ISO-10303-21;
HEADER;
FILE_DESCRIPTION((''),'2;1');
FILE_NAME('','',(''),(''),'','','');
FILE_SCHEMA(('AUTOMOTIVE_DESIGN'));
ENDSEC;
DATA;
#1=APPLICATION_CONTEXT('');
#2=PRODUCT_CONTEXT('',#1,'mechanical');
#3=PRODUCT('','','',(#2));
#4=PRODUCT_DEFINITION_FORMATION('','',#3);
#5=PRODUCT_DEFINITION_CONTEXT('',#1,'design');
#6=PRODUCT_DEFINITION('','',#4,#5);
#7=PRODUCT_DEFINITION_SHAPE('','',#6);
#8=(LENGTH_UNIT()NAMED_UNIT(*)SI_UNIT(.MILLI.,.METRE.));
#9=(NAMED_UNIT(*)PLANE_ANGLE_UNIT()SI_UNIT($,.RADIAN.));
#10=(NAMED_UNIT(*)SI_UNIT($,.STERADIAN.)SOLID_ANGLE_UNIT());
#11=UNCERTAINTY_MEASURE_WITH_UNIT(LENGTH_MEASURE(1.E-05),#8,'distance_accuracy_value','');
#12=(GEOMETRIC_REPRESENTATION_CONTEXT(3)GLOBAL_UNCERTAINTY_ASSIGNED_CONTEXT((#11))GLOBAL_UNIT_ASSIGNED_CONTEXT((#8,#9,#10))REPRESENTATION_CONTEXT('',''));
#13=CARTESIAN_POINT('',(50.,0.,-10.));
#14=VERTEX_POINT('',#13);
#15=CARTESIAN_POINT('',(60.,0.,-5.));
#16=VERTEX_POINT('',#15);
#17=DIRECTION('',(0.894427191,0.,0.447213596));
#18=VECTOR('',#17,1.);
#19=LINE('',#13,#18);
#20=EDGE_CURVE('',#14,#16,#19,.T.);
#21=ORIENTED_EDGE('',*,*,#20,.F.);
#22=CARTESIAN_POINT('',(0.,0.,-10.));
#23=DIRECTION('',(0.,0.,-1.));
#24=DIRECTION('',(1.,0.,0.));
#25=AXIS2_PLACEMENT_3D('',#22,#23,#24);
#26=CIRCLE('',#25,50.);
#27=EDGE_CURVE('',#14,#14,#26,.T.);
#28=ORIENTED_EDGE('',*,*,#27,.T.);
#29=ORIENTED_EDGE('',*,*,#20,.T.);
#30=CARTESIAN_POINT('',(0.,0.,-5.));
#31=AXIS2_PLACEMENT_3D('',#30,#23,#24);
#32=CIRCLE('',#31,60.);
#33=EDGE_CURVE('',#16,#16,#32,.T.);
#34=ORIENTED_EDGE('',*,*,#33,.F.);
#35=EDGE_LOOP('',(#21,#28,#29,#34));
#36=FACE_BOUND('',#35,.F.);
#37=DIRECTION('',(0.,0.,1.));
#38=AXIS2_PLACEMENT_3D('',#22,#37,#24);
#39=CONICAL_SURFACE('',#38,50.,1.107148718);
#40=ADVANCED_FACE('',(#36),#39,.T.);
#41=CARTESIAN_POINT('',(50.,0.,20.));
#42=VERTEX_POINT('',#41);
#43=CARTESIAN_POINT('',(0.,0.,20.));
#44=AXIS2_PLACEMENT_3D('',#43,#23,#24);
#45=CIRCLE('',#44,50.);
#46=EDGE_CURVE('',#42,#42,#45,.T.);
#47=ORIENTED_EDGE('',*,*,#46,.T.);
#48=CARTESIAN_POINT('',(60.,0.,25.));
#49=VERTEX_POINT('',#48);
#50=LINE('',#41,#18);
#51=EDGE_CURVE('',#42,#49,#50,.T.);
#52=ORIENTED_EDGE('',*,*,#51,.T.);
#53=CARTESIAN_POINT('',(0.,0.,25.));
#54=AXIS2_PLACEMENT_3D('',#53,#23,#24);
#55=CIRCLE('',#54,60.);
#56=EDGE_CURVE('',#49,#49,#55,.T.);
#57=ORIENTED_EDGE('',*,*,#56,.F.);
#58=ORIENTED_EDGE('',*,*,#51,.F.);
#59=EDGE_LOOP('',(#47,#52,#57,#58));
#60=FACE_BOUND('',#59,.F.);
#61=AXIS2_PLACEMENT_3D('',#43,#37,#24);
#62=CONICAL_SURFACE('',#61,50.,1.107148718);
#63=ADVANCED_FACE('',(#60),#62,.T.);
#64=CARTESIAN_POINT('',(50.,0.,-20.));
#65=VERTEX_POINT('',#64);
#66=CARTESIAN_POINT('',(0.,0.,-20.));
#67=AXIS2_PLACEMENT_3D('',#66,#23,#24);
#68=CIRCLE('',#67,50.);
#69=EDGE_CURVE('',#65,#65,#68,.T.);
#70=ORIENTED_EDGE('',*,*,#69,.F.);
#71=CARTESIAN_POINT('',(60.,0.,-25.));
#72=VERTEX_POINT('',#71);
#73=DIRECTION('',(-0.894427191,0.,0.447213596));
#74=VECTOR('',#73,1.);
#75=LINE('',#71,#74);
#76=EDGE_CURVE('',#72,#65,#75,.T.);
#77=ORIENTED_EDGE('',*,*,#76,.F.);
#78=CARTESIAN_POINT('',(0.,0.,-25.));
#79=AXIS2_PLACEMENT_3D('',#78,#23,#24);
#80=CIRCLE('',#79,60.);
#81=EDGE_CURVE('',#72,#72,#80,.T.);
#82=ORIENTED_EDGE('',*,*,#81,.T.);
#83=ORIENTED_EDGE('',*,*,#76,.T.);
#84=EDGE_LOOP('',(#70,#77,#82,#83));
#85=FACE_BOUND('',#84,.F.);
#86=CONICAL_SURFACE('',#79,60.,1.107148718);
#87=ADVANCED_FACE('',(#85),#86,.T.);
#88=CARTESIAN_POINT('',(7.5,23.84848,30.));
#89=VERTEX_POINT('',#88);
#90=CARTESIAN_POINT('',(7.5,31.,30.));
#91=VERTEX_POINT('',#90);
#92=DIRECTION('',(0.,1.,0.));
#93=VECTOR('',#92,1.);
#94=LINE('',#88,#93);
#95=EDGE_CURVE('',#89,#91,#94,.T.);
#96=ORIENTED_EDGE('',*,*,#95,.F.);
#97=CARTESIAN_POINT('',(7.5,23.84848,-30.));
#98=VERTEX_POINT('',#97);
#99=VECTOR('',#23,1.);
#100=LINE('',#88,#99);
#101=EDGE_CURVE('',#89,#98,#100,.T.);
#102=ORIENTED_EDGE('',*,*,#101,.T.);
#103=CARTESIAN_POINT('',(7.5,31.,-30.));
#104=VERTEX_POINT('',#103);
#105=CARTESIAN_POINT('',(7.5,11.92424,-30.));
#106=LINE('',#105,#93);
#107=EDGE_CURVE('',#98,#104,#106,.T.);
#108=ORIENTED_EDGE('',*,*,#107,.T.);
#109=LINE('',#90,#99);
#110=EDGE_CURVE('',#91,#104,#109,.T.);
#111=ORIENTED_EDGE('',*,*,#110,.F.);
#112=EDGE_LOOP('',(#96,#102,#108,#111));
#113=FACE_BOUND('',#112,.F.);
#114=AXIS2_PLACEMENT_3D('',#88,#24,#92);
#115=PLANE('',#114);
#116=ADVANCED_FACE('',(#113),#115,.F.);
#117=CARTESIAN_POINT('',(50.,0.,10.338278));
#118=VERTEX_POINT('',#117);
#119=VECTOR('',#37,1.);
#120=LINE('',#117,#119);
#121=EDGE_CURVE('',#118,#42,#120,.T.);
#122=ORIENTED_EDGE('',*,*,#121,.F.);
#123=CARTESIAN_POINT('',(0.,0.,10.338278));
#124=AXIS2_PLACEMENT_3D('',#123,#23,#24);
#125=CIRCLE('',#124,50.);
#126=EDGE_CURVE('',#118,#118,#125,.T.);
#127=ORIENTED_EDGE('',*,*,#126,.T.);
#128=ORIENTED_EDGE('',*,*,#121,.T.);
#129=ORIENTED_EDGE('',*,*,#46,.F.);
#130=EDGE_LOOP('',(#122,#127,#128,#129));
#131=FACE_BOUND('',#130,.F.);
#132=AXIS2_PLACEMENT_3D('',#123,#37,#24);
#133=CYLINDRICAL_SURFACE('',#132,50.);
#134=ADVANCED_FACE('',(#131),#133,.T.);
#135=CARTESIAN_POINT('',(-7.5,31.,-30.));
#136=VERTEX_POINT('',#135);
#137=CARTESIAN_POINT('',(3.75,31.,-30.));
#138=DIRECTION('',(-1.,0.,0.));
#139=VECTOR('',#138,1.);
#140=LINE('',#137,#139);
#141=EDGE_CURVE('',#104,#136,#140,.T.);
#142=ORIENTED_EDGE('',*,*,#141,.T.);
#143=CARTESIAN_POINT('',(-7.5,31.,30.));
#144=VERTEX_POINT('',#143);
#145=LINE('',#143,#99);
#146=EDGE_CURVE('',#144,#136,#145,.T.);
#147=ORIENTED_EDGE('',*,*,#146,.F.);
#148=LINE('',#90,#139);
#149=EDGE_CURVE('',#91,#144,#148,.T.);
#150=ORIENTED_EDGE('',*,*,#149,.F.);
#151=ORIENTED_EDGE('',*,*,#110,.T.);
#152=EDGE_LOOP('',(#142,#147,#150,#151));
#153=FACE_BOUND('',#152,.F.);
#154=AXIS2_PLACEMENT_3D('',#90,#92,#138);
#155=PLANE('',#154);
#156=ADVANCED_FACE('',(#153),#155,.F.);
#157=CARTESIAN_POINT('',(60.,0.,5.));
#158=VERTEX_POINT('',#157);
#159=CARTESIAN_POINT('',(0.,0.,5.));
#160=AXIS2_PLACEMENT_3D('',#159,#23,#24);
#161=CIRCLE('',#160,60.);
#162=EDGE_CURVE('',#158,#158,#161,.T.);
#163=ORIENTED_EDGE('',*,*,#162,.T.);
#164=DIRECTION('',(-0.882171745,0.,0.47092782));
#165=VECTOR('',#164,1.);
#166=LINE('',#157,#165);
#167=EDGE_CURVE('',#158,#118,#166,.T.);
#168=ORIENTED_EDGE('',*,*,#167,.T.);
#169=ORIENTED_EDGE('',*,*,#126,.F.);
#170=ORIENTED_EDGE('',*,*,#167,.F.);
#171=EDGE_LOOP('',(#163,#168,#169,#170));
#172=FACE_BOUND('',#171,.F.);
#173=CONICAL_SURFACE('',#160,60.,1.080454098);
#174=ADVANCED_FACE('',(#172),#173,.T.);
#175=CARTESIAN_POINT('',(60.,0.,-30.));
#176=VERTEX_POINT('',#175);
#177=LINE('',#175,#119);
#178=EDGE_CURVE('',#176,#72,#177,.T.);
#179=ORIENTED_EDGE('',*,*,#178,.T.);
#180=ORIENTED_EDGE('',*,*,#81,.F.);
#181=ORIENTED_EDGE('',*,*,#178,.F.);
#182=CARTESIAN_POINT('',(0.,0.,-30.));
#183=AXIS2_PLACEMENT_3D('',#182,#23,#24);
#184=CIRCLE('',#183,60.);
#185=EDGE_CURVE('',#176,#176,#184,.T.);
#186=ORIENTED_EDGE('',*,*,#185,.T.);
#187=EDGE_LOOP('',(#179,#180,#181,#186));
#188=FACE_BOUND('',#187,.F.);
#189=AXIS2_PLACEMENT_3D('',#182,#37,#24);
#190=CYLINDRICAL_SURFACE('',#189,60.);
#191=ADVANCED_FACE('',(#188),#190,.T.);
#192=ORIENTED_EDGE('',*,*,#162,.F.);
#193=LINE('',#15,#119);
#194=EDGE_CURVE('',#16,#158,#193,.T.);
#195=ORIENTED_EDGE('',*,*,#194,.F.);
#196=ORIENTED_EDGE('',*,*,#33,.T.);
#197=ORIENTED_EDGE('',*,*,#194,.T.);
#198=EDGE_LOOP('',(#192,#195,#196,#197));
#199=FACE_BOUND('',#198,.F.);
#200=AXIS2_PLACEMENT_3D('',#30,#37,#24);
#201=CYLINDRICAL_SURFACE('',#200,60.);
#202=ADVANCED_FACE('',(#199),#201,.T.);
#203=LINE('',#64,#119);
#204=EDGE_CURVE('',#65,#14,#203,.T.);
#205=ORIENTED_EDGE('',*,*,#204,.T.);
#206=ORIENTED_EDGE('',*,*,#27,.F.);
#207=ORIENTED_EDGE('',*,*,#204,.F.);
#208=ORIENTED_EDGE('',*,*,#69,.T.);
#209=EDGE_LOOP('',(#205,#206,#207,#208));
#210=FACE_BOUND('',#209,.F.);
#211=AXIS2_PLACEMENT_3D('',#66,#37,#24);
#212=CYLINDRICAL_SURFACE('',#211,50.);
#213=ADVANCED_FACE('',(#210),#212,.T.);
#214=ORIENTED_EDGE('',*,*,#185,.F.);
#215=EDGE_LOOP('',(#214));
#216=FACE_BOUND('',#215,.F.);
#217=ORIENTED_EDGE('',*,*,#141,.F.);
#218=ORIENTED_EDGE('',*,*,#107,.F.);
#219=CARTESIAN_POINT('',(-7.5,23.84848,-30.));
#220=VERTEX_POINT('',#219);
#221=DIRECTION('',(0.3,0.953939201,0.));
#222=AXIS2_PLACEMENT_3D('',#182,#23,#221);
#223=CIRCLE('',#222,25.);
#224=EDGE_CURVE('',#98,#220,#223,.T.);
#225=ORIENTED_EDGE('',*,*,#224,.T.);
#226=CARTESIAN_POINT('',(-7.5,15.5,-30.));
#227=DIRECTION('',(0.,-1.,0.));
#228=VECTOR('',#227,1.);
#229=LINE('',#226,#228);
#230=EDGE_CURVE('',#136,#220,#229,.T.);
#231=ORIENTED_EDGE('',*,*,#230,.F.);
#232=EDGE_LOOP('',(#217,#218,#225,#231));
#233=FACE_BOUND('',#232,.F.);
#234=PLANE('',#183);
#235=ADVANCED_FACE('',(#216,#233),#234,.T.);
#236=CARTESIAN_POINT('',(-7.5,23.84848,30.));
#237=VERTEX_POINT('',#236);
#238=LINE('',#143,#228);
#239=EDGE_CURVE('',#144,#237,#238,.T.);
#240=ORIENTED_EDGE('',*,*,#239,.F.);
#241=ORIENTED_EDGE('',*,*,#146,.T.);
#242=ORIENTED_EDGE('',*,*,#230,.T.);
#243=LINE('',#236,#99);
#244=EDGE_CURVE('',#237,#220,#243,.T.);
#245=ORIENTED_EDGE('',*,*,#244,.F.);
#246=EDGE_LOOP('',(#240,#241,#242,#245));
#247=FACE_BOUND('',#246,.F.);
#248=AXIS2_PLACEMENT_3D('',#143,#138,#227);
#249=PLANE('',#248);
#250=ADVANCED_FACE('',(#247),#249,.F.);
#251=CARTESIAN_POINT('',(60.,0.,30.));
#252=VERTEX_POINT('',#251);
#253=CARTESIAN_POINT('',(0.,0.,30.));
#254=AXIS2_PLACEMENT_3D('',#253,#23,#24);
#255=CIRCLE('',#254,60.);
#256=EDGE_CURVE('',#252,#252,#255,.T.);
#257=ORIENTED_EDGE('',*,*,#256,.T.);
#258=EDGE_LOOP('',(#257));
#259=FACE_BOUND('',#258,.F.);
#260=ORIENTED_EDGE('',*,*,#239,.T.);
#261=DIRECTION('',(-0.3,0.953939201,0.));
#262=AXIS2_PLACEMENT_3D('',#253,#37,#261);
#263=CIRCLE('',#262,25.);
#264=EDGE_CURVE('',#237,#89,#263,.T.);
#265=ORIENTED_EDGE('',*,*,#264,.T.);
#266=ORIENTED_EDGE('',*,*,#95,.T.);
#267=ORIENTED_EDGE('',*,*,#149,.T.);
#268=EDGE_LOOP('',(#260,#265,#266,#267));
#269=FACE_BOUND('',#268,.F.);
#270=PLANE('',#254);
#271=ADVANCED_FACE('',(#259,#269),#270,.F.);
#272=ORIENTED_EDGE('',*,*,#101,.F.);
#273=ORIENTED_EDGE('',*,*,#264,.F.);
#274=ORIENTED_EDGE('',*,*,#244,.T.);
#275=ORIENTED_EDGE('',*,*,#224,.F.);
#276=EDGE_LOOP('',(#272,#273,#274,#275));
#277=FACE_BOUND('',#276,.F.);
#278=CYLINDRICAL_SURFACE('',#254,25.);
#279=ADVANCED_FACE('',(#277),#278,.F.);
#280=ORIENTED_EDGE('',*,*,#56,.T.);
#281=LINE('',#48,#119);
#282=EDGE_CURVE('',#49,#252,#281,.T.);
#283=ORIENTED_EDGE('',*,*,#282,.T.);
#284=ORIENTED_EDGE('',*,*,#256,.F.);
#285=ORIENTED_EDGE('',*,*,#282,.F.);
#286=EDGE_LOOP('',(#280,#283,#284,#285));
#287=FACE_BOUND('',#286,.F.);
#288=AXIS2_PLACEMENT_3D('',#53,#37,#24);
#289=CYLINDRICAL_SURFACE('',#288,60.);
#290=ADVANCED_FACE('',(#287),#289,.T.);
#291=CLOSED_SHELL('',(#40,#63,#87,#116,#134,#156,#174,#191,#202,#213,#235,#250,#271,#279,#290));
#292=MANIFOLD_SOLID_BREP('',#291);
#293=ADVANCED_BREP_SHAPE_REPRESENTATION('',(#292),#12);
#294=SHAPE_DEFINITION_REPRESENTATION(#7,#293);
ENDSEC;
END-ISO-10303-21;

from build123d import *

# Parameters (mm, degrees)
F3_DEPTH = 60.001


with BuildPart() as f1:
    # F0 (on Front) → F1 (revolve)
    with BuildSketch(Plane.XZ):
        Polygon((40, 30), (25, 30), (25, -30), (40, -30), (50, -30), (60, -30), (60, -25), (50, -20), (50, -10), (60, -5), (60, 5), (50, 10.338278207), (50, 20), (60, 25), (60, 30), (50, 30), align=None)
    revolve(axis=Axis((0, 0, 0), (0, 0, -1)))

    # F2 (on face) → F3 (cut, through all)
    with BuildSketch(Plane.XY.offset(30)):
        with BuildLine():
            Line((7.5, 31), (-7.5, 31))
            Line((-7.5, 31), (-7.5, 23.8484800354))
            ThreePointArc((-7.5, 23.8484800354), (0, 25), (7.5, 23.8484800354))
            Line((7.5, 23.8484800354), (7.5, 31))
        make_face()
    extrude(amount=-F3_DEPTH, mode=Mode.SUBTRACT)


solid = f1.part
